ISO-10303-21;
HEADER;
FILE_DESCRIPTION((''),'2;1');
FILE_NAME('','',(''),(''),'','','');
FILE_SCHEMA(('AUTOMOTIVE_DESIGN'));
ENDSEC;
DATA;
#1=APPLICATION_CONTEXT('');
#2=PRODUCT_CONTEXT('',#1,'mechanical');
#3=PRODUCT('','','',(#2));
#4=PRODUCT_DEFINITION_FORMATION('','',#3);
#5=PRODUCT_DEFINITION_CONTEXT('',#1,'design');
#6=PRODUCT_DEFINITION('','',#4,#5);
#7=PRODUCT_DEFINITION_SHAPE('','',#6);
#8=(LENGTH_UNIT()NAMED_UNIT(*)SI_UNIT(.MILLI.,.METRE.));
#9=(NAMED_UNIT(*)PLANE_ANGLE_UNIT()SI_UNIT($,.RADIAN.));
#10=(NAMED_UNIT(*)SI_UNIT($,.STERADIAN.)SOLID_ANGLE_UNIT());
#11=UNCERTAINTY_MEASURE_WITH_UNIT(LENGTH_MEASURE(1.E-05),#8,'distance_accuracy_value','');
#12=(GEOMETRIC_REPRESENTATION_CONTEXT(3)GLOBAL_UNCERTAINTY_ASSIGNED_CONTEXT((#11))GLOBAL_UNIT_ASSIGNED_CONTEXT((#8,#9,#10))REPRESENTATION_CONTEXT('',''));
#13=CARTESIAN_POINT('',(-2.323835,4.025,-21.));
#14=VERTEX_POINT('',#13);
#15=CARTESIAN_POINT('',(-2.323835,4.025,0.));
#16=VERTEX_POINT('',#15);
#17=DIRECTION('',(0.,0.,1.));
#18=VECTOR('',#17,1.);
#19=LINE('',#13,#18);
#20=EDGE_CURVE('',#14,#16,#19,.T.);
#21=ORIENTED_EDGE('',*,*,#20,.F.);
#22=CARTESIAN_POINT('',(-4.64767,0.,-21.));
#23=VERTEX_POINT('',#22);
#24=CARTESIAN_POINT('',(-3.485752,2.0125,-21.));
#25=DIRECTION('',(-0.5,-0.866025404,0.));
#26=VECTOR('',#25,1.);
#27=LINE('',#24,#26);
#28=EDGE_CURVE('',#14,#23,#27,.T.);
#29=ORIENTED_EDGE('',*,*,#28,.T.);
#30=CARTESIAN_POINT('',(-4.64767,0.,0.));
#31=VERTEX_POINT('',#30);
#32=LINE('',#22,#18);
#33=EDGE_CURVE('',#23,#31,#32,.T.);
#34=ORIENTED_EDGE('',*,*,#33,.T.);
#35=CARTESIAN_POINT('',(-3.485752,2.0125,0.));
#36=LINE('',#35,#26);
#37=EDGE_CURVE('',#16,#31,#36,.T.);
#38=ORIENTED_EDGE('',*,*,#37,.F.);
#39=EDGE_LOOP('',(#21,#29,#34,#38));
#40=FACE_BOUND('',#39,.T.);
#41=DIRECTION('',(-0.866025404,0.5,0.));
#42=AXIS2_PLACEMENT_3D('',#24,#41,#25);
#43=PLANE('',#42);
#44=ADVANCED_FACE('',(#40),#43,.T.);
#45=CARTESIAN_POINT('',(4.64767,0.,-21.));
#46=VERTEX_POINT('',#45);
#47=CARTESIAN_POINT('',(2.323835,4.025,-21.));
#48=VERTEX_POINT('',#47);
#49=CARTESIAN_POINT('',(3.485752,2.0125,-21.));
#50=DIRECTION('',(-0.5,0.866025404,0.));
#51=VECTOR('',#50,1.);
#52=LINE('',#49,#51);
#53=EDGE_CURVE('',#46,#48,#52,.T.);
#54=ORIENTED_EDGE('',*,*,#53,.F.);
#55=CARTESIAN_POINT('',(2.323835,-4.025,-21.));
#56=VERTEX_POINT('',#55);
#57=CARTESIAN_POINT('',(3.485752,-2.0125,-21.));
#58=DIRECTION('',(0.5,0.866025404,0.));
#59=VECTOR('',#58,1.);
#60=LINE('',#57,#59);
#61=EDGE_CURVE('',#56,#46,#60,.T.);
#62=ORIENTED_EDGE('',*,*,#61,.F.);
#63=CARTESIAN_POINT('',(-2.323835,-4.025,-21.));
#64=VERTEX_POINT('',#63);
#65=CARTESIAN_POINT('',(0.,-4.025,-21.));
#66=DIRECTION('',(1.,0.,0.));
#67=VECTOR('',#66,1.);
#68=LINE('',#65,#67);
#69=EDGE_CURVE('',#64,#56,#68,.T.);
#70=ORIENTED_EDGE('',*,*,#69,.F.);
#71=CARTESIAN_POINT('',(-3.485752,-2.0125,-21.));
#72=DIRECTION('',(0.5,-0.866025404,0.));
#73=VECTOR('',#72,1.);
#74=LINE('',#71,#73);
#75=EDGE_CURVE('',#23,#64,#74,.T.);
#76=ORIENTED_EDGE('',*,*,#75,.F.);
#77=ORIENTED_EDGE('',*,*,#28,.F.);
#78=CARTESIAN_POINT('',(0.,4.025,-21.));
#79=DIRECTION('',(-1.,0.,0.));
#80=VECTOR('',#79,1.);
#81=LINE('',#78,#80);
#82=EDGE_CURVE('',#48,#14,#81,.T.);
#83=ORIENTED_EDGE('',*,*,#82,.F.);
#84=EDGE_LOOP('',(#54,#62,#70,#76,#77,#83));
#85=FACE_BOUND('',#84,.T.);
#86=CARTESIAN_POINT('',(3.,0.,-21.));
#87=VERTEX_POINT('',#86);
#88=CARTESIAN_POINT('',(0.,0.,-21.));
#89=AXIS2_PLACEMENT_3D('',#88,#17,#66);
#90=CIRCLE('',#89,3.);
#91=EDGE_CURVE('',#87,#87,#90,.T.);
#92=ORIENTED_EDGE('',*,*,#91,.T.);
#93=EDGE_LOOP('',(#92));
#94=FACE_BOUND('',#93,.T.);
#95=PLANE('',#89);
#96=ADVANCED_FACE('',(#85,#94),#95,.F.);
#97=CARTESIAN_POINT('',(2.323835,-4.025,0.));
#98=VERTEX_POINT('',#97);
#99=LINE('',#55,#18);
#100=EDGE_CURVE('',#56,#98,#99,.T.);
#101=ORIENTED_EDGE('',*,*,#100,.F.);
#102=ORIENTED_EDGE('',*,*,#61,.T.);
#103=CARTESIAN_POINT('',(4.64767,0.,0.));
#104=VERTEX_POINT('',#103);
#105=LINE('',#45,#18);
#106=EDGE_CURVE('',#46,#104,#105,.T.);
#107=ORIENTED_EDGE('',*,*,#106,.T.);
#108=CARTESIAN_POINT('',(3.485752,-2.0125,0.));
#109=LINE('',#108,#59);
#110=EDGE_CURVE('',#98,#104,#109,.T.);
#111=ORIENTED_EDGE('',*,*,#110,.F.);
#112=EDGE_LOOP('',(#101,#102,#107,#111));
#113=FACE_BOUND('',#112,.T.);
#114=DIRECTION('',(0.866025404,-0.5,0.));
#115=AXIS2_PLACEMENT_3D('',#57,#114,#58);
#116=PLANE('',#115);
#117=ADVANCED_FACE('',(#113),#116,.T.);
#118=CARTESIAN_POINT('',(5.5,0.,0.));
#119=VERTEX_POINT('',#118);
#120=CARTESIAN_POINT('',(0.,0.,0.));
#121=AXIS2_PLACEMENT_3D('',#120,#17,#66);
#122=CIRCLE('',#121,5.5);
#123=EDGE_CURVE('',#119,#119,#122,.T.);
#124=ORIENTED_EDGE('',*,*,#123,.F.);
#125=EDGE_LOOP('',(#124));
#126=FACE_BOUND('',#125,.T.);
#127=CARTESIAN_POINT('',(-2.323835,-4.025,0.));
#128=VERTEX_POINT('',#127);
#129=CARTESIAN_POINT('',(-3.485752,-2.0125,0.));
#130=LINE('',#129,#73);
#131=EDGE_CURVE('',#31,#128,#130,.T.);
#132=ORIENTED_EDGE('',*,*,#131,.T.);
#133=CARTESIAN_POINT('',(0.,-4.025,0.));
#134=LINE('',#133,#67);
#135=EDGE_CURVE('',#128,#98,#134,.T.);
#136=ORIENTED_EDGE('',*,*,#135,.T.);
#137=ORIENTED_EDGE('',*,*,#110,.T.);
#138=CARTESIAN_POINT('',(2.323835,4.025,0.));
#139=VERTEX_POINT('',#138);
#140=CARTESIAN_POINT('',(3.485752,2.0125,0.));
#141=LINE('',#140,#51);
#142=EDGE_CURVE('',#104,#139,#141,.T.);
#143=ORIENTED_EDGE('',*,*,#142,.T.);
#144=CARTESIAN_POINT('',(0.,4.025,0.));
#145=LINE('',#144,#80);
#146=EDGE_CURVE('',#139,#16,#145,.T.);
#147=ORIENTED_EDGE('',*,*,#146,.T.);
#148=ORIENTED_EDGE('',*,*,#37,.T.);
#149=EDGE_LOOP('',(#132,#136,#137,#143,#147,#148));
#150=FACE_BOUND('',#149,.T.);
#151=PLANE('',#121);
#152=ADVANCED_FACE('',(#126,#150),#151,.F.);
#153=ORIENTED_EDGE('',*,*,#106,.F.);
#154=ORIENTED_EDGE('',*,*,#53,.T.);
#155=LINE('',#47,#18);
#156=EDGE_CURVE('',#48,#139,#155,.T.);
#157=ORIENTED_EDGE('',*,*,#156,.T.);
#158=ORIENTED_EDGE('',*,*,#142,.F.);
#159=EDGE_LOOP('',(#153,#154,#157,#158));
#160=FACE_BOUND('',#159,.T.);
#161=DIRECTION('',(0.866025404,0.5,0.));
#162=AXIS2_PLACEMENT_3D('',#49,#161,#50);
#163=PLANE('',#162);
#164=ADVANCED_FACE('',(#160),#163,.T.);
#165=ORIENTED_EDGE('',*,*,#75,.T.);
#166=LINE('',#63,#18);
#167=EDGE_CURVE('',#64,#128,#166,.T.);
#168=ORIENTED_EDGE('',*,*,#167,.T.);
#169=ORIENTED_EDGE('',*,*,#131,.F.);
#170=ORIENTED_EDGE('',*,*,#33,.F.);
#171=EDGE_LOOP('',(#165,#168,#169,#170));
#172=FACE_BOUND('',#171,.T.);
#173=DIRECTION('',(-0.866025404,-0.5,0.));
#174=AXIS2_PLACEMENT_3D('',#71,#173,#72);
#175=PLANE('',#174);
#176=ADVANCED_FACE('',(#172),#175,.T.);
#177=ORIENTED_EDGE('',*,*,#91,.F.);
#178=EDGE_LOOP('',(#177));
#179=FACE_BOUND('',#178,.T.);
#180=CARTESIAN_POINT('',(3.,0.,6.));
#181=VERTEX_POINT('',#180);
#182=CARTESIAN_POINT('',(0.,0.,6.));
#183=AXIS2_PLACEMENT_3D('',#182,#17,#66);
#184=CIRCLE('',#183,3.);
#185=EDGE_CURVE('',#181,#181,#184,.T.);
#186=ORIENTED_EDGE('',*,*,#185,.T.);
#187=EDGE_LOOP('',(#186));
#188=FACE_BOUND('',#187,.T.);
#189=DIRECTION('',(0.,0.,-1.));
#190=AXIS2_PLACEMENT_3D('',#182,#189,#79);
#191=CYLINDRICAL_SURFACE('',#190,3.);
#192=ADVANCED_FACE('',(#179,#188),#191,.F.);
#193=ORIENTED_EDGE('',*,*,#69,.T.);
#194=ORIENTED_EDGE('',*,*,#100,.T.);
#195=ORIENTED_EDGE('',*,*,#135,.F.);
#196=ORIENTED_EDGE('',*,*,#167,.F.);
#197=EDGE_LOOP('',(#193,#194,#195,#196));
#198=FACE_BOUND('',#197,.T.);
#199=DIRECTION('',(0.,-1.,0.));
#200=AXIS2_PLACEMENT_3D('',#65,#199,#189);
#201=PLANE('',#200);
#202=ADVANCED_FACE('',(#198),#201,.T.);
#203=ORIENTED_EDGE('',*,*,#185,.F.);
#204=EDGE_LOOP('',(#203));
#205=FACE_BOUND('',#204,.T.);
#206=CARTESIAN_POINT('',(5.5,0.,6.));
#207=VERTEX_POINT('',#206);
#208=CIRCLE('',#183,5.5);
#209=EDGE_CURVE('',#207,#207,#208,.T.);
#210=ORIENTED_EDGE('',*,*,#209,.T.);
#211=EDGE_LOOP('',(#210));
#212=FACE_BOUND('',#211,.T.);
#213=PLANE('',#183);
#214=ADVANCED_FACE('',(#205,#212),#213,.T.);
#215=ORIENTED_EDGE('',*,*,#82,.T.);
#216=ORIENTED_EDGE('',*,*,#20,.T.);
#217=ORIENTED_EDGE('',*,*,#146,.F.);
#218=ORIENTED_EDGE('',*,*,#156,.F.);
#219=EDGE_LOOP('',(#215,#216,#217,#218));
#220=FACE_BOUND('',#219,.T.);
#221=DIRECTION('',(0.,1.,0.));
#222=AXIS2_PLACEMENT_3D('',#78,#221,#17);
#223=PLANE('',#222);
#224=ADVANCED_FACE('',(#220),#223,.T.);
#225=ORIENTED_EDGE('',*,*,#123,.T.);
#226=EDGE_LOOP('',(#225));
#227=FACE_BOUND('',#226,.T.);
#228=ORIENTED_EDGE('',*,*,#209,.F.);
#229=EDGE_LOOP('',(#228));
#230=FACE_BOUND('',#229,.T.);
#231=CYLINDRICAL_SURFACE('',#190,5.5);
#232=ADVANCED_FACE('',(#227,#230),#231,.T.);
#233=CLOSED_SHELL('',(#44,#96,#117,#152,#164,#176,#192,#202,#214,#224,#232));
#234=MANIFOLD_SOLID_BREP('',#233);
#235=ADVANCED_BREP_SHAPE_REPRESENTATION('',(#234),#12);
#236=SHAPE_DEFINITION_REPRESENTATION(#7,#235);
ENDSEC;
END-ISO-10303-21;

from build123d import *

# Parameters (mm, degrees)
SKETCH_1_R      = 5.5
SKETCH_1_R_2    = 3
EXTRUDE_1_DEPTH = 6
EXTRUDE_START   = -21
SKETCH_1_3_R    = 3
EXTRUDE_2_DEPTH = 21


with BuildPart() as part:
    # 草图1 → 凸台-拉伸1 (new body)
    with BuildSketch(Plane.XY):
        Circle(SKETCH_1_R)
        Circle(SKETCH_1_R_2, mode=Mode.SUBTRACT)
    extrude(amount=EXTRUDE_1_DEPTH)

    # 草图1<3> → 凸台-拉伸2 (add)
    with BuildSketch(Plane.XY.offset(EXTRUDE_START)):
        Polygon((2.323834833, 4.025), (-2.323834833, 4.025), (-4.647669667, 0), (-2.323834833, -4.025), (2.323834833, -4.025), (4.647669667, 0), align=None)
        Circle(SKETCH_1_3_R, mode=Mode.SUBTRACT)
    extrude(amount=EXTRUDE_2_DEPTH)


solid = part.part
